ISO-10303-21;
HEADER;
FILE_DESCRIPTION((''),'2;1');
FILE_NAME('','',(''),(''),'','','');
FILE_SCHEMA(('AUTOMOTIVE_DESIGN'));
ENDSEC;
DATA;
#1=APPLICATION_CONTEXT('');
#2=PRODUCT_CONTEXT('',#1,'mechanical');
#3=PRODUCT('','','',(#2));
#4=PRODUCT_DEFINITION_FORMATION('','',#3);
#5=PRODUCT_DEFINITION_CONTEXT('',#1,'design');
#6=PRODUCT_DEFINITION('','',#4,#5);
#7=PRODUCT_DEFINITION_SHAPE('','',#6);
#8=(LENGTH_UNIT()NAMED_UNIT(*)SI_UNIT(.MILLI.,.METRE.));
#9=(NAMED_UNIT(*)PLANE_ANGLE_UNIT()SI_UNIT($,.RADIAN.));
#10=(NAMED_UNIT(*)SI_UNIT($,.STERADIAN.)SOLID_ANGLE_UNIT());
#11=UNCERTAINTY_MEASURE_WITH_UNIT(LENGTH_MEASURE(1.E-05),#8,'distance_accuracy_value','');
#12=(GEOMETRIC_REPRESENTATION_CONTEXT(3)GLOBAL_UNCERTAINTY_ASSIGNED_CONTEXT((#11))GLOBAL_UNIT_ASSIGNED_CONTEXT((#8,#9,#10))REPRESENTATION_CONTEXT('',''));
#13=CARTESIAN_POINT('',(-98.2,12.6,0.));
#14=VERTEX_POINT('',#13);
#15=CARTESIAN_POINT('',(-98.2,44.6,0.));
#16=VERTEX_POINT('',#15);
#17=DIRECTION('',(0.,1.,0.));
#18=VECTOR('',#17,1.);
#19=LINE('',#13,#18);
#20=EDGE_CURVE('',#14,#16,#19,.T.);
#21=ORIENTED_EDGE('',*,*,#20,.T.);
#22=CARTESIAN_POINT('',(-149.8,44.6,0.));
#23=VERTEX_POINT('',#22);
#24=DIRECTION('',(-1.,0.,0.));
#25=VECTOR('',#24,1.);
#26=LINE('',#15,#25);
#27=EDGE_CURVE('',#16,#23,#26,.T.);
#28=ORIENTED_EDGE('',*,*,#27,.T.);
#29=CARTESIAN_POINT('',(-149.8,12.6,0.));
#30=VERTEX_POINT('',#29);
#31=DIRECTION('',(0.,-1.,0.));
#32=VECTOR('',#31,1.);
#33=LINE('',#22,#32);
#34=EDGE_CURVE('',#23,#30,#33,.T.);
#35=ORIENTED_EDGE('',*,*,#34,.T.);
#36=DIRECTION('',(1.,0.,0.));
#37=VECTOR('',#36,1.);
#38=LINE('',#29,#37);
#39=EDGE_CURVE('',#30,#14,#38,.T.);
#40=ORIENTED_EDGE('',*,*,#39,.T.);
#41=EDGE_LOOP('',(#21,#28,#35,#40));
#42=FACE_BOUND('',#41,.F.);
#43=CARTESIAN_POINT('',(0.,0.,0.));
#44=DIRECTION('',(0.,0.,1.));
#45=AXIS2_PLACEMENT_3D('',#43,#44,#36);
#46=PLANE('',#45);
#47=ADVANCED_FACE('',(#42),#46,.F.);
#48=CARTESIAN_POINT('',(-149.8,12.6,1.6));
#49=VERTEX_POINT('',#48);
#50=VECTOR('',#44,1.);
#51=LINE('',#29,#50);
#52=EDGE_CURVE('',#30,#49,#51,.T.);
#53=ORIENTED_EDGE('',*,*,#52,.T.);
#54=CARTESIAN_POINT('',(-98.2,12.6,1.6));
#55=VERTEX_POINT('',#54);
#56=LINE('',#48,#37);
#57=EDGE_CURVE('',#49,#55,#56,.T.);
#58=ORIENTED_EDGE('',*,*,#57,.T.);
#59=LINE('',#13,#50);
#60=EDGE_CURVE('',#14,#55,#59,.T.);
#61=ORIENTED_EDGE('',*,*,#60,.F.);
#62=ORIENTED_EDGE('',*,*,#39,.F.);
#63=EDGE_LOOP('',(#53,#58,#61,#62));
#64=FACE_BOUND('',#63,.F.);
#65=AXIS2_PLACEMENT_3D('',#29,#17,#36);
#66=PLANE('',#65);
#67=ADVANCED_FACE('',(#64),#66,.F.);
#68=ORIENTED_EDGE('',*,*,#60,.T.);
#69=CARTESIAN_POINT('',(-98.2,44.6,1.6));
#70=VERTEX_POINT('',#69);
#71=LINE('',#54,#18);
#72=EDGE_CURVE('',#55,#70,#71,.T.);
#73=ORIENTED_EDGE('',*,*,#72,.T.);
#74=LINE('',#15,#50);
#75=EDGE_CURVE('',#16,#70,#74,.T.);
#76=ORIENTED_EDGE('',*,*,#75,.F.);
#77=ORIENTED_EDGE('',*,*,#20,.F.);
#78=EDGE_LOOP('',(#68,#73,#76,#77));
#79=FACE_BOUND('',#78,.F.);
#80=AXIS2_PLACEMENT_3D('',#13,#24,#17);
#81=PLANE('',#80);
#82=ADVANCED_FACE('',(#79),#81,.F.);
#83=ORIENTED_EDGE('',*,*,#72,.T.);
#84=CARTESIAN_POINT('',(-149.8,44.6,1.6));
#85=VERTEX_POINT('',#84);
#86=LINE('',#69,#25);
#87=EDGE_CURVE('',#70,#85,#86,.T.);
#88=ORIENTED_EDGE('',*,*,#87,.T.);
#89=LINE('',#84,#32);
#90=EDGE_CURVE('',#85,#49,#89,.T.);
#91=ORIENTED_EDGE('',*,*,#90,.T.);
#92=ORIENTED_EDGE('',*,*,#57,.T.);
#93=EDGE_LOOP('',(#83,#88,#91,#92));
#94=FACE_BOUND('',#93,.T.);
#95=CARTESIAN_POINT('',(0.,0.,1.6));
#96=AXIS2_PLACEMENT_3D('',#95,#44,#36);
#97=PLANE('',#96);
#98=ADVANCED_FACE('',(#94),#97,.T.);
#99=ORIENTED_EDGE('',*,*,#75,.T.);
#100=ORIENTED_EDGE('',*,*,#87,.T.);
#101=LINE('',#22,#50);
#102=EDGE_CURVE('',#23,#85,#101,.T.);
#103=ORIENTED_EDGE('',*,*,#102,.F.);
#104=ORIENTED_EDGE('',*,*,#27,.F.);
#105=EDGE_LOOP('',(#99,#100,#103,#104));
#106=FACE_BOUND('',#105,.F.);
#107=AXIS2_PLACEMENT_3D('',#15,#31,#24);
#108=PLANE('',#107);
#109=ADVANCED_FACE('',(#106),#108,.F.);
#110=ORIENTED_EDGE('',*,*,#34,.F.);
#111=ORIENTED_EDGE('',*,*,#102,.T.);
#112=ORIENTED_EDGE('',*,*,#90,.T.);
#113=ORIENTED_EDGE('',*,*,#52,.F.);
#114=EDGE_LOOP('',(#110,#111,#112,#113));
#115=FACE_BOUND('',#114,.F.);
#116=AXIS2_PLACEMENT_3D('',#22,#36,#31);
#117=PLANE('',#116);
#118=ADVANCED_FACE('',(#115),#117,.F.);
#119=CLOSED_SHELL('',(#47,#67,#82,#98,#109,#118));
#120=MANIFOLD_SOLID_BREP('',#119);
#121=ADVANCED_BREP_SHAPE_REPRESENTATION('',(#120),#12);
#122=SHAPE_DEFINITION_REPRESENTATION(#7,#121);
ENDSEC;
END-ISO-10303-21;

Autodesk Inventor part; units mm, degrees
ref_plane "YZ Plane" through (0, 0, 0) normal (1, 0, 0) x (0, 1, 0)
ref_plane "XZ Plane" through (0, 0, 0) normal (0, 1, 0) x (-1, 0, 0)
ref_plane "XY Plane" through (0, 0, 0) normal (0, 0, 1) x (1, 0, 0)
ref_plane "Work Plane1" through (0, 0, 0) normal (0, 0, 1) x (1, 0, 0)
sketch "Sketch1" plane through (0, 0, 0) normal (0, 0, 1) x (1, 0, 0)
  line L0 (-150, 43.6) -> (-150, 12.6) construction
  line L1 (-150, 12.6) -> (-98, 12.6) construction
  line L2 (-98, 12.6) -> (-98, 43.6) construction
  line L3 (-98.2, 44.6) -> (-149.8, 44.6)
  line L4 (-149.8, 44.6) -> (-149.8, 12.6)
  line L5 (-149.8, 12.6) -> (-98.2, 12.6)
  line L6 (-98.2, 12.6) -> (-98.2, 44.6)
  line L7 (-149, 43.6) -> (-99, 43.6) construction
  point P0 (0, 0)
  dimension "d1" = 0.2
  dimension "d2" = 0.2
  dimension "d3" = 0
  dimension "d4" = 1
extrude "Extrusion1" add sketch "Sketch1" along normal blind 1.6
properties part number "PCBQPad"
